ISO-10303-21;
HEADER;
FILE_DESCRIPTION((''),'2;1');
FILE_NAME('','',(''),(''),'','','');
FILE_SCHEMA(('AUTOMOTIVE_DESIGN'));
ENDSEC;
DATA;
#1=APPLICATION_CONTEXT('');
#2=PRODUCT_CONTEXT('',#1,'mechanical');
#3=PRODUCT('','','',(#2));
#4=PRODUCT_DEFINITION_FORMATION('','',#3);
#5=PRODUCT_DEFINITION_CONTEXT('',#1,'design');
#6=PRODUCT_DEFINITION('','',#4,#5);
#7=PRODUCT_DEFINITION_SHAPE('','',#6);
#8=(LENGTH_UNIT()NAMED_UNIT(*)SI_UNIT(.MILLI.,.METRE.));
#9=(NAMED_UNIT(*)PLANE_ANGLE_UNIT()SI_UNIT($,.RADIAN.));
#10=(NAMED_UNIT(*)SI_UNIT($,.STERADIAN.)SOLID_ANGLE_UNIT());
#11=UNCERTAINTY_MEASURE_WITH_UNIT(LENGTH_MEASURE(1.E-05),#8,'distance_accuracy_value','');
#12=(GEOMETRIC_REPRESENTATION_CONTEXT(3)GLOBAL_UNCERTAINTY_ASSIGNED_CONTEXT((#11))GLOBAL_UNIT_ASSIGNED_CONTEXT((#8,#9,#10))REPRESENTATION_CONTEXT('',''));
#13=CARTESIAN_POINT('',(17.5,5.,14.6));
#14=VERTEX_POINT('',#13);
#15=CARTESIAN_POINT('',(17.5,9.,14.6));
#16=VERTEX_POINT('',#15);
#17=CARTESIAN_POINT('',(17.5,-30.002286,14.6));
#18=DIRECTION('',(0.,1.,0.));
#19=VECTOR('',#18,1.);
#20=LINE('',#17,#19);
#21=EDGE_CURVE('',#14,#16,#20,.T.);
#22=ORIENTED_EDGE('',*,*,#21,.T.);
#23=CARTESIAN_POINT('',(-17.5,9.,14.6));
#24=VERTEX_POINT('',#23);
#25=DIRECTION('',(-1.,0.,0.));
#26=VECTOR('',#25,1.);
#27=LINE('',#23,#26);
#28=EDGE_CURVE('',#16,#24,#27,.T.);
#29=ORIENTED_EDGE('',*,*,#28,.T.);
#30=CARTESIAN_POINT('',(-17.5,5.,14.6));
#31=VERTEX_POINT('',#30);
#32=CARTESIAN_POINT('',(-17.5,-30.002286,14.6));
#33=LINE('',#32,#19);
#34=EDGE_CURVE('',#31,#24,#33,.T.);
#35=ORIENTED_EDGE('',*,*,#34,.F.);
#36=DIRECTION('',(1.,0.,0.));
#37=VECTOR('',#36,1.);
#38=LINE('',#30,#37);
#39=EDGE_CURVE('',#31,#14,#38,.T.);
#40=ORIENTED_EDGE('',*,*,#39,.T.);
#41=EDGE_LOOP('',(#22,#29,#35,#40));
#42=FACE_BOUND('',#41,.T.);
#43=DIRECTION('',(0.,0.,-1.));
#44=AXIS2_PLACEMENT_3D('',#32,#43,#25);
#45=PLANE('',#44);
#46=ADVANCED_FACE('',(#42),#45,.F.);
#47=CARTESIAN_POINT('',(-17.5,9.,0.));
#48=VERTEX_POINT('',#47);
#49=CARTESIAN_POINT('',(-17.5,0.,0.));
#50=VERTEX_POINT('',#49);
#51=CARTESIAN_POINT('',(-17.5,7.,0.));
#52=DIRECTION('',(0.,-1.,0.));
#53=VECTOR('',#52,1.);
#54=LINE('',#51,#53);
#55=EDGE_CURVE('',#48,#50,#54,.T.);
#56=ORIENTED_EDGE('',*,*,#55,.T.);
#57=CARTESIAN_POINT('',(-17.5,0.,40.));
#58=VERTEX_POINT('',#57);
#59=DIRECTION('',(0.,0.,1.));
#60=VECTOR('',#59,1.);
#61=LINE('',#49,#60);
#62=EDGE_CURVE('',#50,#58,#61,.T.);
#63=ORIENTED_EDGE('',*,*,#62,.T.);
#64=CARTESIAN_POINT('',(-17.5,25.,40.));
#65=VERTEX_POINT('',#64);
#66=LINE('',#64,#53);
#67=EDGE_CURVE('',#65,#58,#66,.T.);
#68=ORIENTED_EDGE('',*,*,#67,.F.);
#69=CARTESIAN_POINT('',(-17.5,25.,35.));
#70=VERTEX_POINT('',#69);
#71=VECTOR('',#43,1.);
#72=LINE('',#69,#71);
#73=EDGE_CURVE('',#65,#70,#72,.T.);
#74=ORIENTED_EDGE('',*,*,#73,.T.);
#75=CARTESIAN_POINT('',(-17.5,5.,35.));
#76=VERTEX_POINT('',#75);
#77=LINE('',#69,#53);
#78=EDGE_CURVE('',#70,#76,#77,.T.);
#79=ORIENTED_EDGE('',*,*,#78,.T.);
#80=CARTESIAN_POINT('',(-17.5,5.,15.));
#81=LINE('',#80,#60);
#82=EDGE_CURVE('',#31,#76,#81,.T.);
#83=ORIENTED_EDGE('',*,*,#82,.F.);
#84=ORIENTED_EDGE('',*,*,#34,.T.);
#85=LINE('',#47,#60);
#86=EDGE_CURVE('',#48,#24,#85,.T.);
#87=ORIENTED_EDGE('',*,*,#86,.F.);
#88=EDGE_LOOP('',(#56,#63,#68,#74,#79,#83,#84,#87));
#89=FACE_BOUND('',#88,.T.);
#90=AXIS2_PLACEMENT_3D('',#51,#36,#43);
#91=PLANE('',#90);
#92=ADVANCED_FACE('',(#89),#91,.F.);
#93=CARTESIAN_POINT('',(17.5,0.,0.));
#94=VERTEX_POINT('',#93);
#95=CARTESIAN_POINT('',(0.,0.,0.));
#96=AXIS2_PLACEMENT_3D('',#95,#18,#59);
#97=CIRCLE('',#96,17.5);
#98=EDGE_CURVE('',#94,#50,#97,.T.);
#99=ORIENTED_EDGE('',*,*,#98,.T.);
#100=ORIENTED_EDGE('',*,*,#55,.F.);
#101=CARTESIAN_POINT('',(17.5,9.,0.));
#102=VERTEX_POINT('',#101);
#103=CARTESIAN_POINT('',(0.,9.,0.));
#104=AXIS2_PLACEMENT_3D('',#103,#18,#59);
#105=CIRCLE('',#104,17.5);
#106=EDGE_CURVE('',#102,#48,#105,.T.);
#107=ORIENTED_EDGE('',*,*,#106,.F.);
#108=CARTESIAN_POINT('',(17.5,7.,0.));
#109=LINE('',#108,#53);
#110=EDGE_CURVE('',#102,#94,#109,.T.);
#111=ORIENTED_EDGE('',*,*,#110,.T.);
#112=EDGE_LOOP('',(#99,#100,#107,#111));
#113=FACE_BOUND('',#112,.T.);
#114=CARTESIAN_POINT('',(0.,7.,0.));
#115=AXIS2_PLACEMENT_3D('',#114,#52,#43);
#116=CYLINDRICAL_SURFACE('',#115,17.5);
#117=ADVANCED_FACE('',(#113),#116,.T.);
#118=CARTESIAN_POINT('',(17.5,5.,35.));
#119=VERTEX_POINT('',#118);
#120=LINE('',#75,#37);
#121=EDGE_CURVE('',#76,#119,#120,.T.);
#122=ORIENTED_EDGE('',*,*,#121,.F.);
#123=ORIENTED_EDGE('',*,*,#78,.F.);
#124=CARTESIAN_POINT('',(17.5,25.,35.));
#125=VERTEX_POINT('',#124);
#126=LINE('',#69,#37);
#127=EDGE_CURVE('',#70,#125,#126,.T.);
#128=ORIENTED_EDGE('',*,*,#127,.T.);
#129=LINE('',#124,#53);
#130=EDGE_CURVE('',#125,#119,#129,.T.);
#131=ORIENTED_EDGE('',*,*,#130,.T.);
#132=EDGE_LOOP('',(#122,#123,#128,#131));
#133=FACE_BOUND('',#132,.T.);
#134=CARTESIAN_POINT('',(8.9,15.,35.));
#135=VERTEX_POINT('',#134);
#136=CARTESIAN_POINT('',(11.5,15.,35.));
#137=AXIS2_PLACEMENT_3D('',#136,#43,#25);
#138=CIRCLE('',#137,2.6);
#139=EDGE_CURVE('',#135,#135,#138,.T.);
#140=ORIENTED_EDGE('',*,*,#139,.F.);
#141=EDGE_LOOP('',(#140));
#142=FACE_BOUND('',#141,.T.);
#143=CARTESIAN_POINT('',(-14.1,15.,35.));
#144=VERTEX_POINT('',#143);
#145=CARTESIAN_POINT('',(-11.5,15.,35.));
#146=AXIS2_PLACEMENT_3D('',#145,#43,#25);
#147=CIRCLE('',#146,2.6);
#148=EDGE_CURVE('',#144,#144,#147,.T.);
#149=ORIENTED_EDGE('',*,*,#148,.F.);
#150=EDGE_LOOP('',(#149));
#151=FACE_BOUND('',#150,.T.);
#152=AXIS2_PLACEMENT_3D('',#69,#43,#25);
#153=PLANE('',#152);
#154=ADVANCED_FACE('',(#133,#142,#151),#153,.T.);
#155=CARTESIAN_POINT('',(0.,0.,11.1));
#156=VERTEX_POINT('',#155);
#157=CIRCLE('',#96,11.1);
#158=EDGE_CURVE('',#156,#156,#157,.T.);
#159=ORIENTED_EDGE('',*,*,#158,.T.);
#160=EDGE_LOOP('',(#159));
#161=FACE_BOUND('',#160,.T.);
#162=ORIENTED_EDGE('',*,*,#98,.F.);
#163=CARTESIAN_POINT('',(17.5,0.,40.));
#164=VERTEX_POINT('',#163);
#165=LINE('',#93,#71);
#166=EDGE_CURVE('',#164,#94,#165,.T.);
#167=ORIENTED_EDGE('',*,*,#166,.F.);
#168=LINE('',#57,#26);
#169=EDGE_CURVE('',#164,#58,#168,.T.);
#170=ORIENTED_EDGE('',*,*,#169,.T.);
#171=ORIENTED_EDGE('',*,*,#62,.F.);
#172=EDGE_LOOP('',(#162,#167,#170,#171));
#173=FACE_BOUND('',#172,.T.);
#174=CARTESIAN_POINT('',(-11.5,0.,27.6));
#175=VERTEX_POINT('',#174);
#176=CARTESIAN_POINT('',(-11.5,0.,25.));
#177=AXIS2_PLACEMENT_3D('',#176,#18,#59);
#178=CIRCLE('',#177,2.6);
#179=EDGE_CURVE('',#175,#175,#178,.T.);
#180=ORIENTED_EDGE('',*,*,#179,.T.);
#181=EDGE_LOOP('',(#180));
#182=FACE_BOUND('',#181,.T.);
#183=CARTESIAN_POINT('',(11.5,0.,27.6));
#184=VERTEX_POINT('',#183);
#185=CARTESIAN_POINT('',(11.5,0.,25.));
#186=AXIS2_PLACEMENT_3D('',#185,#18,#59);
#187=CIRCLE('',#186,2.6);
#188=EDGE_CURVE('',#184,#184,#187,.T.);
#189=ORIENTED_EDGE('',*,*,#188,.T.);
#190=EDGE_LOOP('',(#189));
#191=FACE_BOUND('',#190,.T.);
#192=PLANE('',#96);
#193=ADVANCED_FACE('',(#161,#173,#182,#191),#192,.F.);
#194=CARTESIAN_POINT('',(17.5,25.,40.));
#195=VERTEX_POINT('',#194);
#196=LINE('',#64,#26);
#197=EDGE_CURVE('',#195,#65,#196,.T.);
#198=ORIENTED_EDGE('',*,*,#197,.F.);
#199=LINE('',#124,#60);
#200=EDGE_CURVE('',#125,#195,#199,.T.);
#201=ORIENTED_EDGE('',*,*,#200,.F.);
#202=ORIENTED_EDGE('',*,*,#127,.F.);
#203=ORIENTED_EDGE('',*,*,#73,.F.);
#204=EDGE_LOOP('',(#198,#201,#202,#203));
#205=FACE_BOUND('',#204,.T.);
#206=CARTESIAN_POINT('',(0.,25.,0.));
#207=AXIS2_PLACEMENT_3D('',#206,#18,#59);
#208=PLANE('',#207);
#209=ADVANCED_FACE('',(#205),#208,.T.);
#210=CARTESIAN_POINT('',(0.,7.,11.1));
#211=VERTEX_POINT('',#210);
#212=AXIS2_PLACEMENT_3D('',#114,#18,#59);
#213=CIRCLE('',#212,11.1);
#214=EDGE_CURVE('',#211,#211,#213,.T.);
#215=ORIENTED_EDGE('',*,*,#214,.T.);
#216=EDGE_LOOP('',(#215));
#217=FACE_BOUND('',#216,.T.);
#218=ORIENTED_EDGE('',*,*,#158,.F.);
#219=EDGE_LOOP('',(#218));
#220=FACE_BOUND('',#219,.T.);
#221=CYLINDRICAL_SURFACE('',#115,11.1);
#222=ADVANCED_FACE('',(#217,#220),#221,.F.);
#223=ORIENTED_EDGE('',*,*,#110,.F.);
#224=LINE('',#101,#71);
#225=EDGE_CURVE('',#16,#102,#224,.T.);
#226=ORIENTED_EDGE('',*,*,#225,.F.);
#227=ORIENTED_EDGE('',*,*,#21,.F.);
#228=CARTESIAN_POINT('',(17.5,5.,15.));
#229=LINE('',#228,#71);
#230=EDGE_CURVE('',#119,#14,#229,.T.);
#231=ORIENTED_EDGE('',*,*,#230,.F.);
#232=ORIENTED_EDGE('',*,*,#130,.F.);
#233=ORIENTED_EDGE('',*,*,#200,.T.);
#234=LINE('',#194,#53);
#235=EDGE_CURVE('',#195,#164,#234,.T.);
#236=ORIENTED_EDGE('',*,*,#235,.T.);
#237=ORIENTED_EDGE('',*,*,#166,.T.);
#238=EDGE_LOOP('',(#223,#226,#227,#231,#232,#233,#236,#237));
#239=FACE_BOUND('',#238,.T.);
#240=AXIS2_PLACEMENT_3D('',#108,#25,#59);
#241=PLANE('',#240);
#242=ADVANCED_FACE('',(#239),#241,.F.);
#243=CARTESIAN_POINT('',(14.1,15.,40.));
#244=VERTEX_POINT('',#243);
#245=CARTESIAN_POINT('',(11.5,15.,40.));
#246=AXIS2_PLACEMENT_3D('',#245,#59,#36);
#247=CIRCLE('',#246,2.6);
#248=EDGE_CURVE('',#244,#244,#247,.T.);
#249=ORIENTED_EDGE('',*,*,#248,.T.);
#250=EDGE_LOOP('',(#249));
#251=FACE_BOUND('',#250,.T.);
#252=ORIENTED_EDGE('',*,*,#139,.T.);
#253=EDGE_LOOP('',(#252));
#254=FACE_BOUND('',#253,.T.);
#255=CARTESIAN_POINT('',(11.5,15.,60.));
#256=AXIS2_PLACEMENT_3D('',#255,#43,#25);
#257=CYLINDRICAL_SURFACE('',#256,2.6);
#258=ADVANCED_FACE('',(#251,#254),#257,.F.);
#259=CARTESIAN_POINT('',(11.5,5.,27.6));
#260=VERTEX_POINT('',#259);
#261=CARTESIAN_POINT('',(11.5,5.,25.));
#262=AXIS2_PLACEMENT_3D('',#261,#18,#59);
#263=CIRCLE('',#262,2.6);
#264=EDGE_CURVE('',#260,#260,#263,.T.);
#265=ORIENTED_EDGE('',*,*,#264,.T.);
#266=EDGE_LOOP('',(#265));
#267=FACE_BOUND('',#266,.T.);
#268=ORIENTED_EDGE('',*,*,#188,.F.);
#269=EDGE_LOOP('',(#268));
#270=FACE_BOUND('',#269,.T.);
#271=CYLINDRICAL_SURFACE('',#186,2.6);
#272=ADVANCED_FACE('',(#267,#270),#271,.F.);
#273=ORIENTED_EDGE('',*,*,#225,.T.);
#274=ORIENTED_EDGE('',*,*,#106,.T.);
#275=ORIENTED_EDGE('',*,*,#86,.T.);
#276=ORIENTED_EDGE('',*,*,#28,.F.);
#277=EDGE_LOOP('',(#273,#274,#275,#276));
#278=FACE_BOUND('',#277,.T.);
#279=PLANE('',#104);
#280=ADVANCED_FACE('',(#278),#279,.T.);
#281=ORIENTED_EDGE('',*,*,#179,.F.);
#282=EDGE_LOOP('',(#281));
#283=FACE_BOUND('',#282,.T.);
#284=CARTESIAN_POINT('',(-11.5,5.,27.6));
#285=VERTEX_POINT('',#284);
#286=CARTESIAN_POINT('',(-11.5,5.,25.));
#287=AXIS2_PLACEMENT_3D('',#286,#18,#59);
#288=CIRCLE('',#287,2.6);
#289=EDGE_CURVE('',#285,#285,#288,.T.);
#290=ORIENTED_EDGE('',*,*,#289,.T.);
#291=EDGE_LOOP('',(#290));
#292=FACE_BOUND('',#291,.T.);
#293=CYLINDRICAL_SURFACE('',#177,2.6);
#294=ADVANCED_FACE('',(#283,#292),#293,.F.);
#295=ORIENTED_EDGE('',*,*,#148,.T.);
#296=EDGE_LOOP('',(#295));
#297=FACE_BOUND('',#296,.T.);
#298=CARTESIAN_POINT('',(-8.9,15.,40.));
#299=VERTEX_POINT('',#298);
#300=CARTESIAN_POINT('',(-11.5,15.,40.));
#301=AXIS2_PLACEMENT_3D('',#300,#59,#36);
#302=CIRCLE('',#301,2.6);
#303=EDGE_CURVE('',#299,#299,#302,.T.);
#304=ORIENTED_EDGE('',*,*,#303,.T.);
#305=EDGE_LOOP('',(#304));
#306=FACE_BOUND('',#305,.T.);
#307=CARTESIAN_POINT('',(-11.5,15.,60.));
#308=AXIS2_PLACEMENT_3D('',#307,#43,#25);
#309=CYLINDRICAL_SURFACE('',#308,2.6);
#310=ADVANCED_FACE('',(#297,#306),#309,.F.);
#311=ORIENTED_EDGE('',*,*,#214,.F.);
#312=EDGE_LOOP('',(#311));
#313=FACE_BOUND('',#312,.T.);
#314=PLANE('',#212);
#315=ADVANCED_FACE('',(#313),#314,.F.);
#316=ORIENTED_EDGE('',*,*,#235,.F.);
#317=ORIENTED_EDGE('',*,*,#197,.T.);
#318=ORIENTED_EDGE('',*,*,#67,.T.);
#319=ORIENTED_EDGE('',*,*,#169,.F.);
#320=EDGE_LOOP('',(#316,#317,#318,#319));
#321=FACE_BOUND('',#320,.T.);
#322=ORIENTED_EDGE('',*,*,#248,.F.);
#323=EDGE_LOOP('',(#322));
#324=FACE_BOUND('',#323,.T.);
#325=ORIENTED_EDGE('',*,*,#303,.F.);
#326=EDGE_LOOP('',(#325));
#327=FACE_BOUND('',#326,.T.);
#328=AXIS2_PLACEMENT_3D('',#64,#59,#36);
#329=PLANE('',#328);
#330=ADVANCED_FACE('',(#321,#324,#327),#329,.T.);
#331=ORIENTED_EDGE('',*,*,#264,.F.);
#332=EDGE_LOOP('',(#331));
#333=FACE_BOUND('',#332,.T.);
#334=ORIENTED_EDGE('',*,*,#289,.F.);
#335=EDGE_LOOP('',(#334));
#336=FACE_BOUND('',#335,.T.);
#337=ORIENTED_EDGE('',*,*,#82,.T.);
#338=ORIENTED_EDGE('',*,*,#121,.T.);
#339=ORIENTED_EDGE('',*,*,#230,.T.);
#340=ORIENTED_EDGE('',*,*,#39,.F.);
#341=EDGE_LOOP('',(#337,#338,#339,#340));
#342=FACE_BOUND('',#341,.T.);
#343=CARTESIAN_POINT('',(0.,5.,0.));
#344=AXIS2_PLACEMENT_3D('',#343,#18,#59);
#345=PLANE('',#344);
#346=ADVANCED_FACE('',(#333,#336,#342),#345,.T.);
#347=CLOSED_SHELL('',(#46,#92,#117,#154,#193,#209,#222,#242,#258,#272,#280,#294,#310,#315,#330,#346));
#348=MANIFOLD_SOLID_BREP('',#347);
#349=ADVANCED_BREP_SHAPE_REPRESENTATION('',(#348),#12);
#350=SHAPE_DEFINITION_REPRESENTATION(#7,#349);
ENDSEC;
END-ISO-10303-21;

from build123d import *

# Parameters (mm, degrees)
SKETCH1_R           = 11.1
BOSS_EXTRUDE1_DEPTH = 7
SKETCH4_W           = 35
SKETCH4_H           = 20
BOSS_EXTRUDE3_DEPTH = 5
SKETCH5_R           = 2.6
CUT_EXTRUDE1_DEPTH  = 8
BOSS_EXTRUDE4_DEPTH = 2
SKETCH9_W           = 35
SKETCH9_H           = 5
BOSS_EXTRUDE5_DEPTH = 25
SKETCH10_R          = 2.6
CUT_EXTRUDE2_DEPTH  = 25
SKETCH11_W          = 35
SKETCH11_H          = 0.4
CUT_EXTRUDE3_DEPTH  = 4


with BuildPart() as part:
    # Sketch1 → Boss-Extrude1 (new body)
    with BuildSketch(Plane(origin=(0, 0, 0), x_dir=(1, 0, 0), z_dir=(0, 1, 0))):
        with BuildLine():
            Line((-17.5, 0), (-17.5, -15))
            Line((-17.5, -15), (17.5, -15))
            Line((17.5, -15), (17.5, 0))
            ThreePointArc((17.5, 0), (0, 17.5), (-17.5, 0))
        make_face()
        Circle(SKETCH1_R, mode=Mode.SUBTRACT)
    extrude(amount=BOSS_EXTRUDE1_DEPTH)

    # Sketch4 → Boss-Extrude3 (add)
    with BuildSketch(Plane(origin=(0, 0, 0), x_dir=(1, 0, 0), z_dir=(0, 1, 0))):
        with Locations((0, -25)):
            Rectangle(SKETCH4_W, SKETCH4_H)
    extrude(amount=BOSS_EXTRUDE3_DEPTH)

    # Sketch5 → Cut-Extrude1 (cut, through all)
    with BuildSketch(Plane(origin=(0, 7, 0), x_dir=(1, 0, 0), z_dir=(0, 1, 0))):
        with Locations((-11.5, -25)):
            Circle(SKETCH5_R)
        with Locations((11.5, -25)):
            Circle(SKETCH5_R)
    extrude(amount=-CUT_EXTRUDE1_DEPTH, mode=Mode.SUBTRACT)

    # Sketch8 → Boss-Extrude4 (add)
    with BuildSketch(Plane(origin=(0, 7, 0), x_dir=(1, 0, 0), z_dir=(0, 1, 0))):
        with BuildLine():
            Line((-17.5, 0), (-17.5, -15))
            Line((-17.5, -15), (17.5, -15))
            Line((17.5, -15), (17.5, 0))
            ThreePointArc((17.5, 0), (0, 17.5), (-17.5, 0))
        make_face()
    extrude(amount=BOSS_EXTRUDE4_DEPTH)

    # Sketch9 → Boss-Extrude5 (add)
    with BuildSketch(Plane.XZ):
        with Locations((0, 37.5)):
            Rectangle(SKETCH9_W, SKETCH9_H)
    extrude(amount=-BOSS_EXTRUDE5_DEPTH)

    # Sketch10 → Cut-Extrude2 (cut)
    with BuildSketch(Plane(origin=(0, 0, 35), x_dir=(-1, 0, 0), z_dir=(0, 0, -1))):
        with Locations((-11.5, 15)):
            Circle(SKETCH10_R)
        with Locations((11.5, 15)):
            Circle(SKETCH10_R)
    extrude(amount=-CUT_EXTRUDE2_DEPTH, mode=Mode.SUBTRACT)

    # Sketch11 → Cut-Extrude3 (cut)
    with BuildSketch(Plane(origin=(0, 9, 0), x_dir=(1, 0, 0), z_dir=(0, 1, 0))):
        with Locations((0, -14.8)):
            Rectangle(SKETCH11_W, SKETCH11_H)
    extrude(amount=-CUT_EXTRUDE3_DEPTH, mode=Mode.SUBTRACT)


solid = part.part
